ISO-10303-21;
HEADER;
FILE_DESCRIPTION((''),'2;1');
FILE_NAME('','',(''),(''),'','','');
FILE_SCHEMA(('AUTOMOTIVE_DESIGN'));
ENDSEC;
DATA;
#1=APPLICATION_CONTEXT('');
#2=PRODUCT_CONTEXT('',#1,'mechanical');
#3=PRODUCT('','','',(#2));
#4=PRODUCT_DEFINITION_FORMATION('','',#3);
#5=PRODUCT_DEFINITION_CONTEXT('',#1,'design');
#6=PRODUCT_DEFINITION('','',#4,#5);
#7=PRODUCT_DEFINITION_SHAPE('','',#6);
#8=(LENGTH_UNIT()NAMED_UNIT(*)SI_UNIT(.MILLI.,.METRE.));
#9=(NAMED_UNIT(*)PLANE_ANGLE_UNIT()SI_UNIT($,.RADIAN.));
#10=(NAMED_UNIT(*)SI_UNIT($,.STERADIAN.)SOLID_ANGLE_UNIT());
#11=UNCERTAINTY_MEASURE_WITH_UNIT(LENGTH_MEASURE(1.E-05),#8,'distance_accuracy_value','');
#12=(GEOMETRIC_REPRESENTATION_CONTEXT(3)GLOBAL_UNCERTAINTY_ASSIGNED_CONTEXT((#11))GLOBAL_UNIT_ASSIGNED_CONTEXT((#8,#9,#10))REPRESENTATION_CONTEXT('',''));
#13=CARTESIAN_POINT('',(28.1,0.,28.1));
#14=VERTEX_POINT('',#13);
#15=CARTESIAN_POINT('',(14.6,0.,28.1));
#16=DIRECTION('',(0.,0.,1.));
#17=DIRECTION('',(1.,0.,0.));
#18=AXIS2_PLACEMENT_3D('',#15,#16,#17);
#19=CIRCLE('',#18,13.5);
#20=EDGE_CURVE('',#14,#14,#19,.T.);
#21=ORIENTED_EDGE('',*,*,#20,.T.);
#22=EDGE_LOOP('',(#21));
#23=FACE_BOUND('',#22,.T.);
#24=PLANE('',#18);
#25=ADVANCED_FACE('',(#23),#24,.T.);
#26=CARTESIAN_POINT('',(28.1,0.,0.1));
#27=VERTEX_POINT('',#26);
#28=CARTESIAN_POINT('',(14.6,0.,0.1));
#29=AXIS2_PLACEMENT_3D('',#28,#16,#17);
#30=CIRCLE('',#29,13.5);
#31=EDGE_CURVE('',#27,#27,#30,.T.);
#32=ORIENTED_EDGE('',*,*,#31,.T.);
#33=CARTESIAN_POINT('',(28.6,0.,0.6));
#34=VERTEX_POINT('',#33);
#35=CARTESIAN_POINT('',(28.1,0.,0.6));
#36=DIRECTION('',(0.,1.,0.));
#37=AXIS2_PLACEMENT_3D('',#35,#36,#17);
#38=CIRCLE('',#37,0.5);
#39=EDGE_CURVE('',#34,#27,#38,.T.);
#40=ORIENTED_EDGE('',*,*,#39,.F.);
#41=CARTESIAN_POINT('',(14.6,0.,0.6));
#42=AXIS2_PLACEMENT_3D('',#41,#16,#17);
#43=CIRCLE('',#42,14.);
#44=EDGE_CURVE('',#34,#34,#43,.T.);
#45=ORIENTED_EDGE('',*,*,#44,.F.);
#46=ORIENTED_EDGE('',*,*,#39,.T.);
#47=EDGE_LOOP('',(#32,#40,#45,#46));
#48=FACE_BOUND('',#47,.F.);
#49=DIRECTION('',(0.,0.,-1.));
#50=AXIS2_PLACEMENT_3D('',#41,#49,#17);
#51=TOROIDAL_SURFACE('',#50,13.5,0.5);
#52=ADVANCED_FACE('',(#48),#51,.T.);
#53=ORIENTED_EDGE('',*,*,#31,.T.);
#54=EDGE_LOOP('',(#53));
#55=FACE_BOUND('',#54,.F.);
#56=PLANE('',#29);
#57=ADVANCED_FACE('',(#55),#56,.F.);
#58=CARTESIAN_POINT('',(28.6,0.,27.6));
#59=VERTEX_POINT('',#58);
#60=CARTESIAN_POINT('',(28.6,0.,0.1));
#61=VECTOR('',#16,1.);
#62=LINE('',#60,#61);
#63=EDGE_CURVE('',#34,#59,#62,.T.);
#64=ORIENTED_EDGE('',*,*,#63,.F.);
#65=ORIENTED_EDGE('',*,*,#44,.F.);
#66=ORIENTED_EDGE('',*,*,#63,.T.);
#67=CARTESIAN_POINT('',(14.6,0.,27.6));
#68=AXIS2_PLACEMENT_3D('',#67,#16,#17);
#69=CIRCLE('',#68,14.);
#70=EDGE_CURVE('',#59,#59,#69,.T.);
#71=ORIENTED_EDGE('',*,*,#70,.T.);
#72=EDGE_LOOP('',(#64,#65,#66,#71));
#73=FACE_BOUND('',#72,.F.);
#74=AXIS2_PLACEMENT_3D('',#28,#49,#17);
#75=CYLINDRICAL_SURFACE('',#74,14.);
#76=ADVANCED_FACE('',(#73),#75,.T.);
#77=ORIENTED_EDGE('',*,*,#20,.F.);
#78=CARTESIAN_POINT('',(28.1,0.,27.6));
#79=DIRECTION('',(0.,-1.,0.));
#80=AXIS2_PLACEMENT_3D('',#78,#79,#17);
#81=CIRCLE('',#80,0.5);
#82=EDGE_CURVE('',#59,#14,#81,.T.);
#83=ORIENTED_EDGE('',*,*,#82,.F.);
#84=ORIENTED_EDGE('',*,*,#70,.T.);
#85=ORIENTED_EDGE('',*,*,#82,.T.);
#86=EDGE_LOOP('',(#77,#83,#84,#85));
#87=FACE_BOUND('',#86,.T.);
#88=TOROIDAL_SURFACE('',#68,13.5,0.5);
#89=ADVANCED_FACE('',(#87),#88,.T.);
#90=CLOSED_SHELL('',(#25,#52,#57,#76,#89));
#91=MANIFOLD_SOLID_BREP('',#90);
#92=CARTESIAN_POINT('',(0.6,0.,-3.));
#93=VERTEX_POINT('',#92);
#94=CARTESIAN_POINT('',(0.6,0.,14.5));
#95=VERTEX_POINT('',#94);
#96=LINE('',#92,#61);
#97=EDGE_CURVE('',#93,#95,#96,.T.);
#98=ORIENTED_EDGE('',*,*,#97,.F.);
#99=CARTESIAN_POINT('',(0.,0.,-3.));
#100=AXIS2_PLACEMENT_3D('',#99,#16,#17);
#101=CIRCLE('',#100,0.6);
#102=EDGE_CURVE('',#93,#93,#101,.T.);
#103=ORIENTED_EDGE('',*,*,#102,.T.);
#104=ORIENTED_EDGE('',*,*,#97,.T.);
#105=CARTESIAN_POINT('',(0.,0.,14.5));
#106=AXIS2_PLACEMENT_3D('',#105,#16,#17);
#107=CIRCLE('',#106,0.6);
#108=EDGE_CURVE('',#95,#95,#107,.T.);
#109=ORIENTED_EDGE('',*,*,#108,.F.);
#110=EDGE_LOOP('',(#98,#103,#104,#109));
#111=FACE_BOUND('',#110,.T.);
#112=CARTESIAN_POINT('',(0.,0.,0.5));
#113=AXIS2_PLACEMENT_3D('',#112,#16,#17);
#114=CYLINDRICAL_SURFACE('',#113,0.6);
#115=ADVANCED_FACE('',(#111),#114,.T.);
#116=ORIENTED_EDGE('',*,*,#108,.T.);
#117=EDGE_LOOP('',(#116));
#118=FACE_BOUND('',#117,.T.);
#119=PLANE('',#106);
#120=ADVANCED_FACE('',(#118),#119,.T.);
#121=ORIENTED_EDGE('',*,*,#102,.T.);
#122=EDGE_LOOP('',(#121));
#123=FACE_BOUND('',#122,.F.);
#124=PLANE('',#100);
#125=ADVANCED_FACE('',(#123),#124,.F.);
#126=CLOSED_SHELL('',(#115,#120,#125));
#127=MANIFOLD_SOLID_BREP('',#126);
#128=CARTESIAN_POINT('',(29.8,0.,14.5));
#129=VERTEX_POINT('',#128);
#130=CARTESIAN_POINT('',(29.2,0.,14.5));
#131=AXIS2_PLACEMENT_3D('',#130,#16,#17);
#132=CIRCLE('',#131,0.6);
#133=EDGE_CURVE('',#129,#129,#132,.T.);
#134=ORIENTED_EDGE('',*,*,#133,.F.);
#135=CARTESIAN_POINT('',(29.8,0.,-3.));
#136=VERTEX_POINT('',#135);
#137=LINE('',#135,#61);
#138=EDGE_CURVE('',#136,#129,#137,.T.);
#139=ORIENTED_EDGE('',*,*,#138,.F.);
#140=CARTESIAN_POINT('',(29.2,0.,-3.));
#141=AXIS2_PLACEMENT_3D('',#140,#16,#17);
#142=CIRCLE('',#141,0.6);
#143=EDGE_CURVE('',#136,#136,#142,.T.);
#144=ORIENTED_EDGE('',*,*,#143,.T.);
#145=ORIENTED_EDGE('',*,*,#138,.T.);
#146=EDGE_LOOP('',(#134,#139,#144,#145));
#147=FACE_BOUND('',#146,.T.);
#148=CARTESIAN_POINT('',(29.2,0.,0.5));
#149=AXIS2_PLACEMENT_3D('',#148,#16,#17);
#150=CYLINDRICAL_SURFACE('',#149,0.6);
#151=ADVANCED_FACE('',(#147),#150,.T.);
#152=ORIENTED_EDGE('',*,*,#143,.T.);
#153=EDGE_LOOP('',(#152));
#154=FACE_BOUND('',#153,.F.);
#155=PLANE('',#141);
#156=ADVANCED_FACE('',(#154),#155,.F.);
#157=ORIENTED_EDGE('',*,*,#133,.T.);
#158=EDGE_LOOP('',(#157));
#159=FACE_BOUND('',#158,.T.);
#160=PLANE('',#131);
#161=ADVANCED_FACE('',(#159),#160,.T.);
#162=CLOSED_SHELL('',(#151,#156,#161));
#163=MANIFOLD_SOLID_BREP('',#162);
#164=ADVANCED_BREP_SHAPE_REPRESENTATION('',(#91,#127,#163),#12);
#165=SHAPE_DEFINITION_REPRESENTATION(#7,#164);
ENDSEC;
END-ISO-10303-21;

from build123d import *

# Parameters (mm, degrees)
SKETCH001_R       = 0.6
PAD001_DEPTH      = 14
PAD001_DEPTH_BACK = 3.5
SKETCH_R          = 14
PAD_DEPTH         = 28
FILLET_R          = 0.5


with BuildPart() as pad001:
    # Sketch001 → Pad001 (new body, two sides)
    with BuildSketch(Plane.XY.offset(0.5)) as pad001_sk:
        Circle(SKETCH001_R)
        with Locations((29.2, 0)):
            Circle(SKETCH001_R)
    extrude(amount=PAD001_DEPTH)
    extrude(pad001_sk.sketch, amount=-PAD001_DEPTH_BACK)


with BuildPart() as fillet_body:
    # Sketch → Pad (new body)
    with BuildSketch(Plane.XY.offset(0.1)):
        with Locations((14.6, 0)):
            Circle(SKETCH_R)
    extrude(amount=PAD_DEPTH)

    # Fillet
    fillet_edges = [fillet_body.edges().sort_by_distance(p)[0] for p in [
        (0.6, 0, 0.1),
        (0.6, 0, 28.1),
    ]]
    fillet(fillet_edges, radius=FILLET_R)


solid = Compound([pad001.part, fillet_body.part])
